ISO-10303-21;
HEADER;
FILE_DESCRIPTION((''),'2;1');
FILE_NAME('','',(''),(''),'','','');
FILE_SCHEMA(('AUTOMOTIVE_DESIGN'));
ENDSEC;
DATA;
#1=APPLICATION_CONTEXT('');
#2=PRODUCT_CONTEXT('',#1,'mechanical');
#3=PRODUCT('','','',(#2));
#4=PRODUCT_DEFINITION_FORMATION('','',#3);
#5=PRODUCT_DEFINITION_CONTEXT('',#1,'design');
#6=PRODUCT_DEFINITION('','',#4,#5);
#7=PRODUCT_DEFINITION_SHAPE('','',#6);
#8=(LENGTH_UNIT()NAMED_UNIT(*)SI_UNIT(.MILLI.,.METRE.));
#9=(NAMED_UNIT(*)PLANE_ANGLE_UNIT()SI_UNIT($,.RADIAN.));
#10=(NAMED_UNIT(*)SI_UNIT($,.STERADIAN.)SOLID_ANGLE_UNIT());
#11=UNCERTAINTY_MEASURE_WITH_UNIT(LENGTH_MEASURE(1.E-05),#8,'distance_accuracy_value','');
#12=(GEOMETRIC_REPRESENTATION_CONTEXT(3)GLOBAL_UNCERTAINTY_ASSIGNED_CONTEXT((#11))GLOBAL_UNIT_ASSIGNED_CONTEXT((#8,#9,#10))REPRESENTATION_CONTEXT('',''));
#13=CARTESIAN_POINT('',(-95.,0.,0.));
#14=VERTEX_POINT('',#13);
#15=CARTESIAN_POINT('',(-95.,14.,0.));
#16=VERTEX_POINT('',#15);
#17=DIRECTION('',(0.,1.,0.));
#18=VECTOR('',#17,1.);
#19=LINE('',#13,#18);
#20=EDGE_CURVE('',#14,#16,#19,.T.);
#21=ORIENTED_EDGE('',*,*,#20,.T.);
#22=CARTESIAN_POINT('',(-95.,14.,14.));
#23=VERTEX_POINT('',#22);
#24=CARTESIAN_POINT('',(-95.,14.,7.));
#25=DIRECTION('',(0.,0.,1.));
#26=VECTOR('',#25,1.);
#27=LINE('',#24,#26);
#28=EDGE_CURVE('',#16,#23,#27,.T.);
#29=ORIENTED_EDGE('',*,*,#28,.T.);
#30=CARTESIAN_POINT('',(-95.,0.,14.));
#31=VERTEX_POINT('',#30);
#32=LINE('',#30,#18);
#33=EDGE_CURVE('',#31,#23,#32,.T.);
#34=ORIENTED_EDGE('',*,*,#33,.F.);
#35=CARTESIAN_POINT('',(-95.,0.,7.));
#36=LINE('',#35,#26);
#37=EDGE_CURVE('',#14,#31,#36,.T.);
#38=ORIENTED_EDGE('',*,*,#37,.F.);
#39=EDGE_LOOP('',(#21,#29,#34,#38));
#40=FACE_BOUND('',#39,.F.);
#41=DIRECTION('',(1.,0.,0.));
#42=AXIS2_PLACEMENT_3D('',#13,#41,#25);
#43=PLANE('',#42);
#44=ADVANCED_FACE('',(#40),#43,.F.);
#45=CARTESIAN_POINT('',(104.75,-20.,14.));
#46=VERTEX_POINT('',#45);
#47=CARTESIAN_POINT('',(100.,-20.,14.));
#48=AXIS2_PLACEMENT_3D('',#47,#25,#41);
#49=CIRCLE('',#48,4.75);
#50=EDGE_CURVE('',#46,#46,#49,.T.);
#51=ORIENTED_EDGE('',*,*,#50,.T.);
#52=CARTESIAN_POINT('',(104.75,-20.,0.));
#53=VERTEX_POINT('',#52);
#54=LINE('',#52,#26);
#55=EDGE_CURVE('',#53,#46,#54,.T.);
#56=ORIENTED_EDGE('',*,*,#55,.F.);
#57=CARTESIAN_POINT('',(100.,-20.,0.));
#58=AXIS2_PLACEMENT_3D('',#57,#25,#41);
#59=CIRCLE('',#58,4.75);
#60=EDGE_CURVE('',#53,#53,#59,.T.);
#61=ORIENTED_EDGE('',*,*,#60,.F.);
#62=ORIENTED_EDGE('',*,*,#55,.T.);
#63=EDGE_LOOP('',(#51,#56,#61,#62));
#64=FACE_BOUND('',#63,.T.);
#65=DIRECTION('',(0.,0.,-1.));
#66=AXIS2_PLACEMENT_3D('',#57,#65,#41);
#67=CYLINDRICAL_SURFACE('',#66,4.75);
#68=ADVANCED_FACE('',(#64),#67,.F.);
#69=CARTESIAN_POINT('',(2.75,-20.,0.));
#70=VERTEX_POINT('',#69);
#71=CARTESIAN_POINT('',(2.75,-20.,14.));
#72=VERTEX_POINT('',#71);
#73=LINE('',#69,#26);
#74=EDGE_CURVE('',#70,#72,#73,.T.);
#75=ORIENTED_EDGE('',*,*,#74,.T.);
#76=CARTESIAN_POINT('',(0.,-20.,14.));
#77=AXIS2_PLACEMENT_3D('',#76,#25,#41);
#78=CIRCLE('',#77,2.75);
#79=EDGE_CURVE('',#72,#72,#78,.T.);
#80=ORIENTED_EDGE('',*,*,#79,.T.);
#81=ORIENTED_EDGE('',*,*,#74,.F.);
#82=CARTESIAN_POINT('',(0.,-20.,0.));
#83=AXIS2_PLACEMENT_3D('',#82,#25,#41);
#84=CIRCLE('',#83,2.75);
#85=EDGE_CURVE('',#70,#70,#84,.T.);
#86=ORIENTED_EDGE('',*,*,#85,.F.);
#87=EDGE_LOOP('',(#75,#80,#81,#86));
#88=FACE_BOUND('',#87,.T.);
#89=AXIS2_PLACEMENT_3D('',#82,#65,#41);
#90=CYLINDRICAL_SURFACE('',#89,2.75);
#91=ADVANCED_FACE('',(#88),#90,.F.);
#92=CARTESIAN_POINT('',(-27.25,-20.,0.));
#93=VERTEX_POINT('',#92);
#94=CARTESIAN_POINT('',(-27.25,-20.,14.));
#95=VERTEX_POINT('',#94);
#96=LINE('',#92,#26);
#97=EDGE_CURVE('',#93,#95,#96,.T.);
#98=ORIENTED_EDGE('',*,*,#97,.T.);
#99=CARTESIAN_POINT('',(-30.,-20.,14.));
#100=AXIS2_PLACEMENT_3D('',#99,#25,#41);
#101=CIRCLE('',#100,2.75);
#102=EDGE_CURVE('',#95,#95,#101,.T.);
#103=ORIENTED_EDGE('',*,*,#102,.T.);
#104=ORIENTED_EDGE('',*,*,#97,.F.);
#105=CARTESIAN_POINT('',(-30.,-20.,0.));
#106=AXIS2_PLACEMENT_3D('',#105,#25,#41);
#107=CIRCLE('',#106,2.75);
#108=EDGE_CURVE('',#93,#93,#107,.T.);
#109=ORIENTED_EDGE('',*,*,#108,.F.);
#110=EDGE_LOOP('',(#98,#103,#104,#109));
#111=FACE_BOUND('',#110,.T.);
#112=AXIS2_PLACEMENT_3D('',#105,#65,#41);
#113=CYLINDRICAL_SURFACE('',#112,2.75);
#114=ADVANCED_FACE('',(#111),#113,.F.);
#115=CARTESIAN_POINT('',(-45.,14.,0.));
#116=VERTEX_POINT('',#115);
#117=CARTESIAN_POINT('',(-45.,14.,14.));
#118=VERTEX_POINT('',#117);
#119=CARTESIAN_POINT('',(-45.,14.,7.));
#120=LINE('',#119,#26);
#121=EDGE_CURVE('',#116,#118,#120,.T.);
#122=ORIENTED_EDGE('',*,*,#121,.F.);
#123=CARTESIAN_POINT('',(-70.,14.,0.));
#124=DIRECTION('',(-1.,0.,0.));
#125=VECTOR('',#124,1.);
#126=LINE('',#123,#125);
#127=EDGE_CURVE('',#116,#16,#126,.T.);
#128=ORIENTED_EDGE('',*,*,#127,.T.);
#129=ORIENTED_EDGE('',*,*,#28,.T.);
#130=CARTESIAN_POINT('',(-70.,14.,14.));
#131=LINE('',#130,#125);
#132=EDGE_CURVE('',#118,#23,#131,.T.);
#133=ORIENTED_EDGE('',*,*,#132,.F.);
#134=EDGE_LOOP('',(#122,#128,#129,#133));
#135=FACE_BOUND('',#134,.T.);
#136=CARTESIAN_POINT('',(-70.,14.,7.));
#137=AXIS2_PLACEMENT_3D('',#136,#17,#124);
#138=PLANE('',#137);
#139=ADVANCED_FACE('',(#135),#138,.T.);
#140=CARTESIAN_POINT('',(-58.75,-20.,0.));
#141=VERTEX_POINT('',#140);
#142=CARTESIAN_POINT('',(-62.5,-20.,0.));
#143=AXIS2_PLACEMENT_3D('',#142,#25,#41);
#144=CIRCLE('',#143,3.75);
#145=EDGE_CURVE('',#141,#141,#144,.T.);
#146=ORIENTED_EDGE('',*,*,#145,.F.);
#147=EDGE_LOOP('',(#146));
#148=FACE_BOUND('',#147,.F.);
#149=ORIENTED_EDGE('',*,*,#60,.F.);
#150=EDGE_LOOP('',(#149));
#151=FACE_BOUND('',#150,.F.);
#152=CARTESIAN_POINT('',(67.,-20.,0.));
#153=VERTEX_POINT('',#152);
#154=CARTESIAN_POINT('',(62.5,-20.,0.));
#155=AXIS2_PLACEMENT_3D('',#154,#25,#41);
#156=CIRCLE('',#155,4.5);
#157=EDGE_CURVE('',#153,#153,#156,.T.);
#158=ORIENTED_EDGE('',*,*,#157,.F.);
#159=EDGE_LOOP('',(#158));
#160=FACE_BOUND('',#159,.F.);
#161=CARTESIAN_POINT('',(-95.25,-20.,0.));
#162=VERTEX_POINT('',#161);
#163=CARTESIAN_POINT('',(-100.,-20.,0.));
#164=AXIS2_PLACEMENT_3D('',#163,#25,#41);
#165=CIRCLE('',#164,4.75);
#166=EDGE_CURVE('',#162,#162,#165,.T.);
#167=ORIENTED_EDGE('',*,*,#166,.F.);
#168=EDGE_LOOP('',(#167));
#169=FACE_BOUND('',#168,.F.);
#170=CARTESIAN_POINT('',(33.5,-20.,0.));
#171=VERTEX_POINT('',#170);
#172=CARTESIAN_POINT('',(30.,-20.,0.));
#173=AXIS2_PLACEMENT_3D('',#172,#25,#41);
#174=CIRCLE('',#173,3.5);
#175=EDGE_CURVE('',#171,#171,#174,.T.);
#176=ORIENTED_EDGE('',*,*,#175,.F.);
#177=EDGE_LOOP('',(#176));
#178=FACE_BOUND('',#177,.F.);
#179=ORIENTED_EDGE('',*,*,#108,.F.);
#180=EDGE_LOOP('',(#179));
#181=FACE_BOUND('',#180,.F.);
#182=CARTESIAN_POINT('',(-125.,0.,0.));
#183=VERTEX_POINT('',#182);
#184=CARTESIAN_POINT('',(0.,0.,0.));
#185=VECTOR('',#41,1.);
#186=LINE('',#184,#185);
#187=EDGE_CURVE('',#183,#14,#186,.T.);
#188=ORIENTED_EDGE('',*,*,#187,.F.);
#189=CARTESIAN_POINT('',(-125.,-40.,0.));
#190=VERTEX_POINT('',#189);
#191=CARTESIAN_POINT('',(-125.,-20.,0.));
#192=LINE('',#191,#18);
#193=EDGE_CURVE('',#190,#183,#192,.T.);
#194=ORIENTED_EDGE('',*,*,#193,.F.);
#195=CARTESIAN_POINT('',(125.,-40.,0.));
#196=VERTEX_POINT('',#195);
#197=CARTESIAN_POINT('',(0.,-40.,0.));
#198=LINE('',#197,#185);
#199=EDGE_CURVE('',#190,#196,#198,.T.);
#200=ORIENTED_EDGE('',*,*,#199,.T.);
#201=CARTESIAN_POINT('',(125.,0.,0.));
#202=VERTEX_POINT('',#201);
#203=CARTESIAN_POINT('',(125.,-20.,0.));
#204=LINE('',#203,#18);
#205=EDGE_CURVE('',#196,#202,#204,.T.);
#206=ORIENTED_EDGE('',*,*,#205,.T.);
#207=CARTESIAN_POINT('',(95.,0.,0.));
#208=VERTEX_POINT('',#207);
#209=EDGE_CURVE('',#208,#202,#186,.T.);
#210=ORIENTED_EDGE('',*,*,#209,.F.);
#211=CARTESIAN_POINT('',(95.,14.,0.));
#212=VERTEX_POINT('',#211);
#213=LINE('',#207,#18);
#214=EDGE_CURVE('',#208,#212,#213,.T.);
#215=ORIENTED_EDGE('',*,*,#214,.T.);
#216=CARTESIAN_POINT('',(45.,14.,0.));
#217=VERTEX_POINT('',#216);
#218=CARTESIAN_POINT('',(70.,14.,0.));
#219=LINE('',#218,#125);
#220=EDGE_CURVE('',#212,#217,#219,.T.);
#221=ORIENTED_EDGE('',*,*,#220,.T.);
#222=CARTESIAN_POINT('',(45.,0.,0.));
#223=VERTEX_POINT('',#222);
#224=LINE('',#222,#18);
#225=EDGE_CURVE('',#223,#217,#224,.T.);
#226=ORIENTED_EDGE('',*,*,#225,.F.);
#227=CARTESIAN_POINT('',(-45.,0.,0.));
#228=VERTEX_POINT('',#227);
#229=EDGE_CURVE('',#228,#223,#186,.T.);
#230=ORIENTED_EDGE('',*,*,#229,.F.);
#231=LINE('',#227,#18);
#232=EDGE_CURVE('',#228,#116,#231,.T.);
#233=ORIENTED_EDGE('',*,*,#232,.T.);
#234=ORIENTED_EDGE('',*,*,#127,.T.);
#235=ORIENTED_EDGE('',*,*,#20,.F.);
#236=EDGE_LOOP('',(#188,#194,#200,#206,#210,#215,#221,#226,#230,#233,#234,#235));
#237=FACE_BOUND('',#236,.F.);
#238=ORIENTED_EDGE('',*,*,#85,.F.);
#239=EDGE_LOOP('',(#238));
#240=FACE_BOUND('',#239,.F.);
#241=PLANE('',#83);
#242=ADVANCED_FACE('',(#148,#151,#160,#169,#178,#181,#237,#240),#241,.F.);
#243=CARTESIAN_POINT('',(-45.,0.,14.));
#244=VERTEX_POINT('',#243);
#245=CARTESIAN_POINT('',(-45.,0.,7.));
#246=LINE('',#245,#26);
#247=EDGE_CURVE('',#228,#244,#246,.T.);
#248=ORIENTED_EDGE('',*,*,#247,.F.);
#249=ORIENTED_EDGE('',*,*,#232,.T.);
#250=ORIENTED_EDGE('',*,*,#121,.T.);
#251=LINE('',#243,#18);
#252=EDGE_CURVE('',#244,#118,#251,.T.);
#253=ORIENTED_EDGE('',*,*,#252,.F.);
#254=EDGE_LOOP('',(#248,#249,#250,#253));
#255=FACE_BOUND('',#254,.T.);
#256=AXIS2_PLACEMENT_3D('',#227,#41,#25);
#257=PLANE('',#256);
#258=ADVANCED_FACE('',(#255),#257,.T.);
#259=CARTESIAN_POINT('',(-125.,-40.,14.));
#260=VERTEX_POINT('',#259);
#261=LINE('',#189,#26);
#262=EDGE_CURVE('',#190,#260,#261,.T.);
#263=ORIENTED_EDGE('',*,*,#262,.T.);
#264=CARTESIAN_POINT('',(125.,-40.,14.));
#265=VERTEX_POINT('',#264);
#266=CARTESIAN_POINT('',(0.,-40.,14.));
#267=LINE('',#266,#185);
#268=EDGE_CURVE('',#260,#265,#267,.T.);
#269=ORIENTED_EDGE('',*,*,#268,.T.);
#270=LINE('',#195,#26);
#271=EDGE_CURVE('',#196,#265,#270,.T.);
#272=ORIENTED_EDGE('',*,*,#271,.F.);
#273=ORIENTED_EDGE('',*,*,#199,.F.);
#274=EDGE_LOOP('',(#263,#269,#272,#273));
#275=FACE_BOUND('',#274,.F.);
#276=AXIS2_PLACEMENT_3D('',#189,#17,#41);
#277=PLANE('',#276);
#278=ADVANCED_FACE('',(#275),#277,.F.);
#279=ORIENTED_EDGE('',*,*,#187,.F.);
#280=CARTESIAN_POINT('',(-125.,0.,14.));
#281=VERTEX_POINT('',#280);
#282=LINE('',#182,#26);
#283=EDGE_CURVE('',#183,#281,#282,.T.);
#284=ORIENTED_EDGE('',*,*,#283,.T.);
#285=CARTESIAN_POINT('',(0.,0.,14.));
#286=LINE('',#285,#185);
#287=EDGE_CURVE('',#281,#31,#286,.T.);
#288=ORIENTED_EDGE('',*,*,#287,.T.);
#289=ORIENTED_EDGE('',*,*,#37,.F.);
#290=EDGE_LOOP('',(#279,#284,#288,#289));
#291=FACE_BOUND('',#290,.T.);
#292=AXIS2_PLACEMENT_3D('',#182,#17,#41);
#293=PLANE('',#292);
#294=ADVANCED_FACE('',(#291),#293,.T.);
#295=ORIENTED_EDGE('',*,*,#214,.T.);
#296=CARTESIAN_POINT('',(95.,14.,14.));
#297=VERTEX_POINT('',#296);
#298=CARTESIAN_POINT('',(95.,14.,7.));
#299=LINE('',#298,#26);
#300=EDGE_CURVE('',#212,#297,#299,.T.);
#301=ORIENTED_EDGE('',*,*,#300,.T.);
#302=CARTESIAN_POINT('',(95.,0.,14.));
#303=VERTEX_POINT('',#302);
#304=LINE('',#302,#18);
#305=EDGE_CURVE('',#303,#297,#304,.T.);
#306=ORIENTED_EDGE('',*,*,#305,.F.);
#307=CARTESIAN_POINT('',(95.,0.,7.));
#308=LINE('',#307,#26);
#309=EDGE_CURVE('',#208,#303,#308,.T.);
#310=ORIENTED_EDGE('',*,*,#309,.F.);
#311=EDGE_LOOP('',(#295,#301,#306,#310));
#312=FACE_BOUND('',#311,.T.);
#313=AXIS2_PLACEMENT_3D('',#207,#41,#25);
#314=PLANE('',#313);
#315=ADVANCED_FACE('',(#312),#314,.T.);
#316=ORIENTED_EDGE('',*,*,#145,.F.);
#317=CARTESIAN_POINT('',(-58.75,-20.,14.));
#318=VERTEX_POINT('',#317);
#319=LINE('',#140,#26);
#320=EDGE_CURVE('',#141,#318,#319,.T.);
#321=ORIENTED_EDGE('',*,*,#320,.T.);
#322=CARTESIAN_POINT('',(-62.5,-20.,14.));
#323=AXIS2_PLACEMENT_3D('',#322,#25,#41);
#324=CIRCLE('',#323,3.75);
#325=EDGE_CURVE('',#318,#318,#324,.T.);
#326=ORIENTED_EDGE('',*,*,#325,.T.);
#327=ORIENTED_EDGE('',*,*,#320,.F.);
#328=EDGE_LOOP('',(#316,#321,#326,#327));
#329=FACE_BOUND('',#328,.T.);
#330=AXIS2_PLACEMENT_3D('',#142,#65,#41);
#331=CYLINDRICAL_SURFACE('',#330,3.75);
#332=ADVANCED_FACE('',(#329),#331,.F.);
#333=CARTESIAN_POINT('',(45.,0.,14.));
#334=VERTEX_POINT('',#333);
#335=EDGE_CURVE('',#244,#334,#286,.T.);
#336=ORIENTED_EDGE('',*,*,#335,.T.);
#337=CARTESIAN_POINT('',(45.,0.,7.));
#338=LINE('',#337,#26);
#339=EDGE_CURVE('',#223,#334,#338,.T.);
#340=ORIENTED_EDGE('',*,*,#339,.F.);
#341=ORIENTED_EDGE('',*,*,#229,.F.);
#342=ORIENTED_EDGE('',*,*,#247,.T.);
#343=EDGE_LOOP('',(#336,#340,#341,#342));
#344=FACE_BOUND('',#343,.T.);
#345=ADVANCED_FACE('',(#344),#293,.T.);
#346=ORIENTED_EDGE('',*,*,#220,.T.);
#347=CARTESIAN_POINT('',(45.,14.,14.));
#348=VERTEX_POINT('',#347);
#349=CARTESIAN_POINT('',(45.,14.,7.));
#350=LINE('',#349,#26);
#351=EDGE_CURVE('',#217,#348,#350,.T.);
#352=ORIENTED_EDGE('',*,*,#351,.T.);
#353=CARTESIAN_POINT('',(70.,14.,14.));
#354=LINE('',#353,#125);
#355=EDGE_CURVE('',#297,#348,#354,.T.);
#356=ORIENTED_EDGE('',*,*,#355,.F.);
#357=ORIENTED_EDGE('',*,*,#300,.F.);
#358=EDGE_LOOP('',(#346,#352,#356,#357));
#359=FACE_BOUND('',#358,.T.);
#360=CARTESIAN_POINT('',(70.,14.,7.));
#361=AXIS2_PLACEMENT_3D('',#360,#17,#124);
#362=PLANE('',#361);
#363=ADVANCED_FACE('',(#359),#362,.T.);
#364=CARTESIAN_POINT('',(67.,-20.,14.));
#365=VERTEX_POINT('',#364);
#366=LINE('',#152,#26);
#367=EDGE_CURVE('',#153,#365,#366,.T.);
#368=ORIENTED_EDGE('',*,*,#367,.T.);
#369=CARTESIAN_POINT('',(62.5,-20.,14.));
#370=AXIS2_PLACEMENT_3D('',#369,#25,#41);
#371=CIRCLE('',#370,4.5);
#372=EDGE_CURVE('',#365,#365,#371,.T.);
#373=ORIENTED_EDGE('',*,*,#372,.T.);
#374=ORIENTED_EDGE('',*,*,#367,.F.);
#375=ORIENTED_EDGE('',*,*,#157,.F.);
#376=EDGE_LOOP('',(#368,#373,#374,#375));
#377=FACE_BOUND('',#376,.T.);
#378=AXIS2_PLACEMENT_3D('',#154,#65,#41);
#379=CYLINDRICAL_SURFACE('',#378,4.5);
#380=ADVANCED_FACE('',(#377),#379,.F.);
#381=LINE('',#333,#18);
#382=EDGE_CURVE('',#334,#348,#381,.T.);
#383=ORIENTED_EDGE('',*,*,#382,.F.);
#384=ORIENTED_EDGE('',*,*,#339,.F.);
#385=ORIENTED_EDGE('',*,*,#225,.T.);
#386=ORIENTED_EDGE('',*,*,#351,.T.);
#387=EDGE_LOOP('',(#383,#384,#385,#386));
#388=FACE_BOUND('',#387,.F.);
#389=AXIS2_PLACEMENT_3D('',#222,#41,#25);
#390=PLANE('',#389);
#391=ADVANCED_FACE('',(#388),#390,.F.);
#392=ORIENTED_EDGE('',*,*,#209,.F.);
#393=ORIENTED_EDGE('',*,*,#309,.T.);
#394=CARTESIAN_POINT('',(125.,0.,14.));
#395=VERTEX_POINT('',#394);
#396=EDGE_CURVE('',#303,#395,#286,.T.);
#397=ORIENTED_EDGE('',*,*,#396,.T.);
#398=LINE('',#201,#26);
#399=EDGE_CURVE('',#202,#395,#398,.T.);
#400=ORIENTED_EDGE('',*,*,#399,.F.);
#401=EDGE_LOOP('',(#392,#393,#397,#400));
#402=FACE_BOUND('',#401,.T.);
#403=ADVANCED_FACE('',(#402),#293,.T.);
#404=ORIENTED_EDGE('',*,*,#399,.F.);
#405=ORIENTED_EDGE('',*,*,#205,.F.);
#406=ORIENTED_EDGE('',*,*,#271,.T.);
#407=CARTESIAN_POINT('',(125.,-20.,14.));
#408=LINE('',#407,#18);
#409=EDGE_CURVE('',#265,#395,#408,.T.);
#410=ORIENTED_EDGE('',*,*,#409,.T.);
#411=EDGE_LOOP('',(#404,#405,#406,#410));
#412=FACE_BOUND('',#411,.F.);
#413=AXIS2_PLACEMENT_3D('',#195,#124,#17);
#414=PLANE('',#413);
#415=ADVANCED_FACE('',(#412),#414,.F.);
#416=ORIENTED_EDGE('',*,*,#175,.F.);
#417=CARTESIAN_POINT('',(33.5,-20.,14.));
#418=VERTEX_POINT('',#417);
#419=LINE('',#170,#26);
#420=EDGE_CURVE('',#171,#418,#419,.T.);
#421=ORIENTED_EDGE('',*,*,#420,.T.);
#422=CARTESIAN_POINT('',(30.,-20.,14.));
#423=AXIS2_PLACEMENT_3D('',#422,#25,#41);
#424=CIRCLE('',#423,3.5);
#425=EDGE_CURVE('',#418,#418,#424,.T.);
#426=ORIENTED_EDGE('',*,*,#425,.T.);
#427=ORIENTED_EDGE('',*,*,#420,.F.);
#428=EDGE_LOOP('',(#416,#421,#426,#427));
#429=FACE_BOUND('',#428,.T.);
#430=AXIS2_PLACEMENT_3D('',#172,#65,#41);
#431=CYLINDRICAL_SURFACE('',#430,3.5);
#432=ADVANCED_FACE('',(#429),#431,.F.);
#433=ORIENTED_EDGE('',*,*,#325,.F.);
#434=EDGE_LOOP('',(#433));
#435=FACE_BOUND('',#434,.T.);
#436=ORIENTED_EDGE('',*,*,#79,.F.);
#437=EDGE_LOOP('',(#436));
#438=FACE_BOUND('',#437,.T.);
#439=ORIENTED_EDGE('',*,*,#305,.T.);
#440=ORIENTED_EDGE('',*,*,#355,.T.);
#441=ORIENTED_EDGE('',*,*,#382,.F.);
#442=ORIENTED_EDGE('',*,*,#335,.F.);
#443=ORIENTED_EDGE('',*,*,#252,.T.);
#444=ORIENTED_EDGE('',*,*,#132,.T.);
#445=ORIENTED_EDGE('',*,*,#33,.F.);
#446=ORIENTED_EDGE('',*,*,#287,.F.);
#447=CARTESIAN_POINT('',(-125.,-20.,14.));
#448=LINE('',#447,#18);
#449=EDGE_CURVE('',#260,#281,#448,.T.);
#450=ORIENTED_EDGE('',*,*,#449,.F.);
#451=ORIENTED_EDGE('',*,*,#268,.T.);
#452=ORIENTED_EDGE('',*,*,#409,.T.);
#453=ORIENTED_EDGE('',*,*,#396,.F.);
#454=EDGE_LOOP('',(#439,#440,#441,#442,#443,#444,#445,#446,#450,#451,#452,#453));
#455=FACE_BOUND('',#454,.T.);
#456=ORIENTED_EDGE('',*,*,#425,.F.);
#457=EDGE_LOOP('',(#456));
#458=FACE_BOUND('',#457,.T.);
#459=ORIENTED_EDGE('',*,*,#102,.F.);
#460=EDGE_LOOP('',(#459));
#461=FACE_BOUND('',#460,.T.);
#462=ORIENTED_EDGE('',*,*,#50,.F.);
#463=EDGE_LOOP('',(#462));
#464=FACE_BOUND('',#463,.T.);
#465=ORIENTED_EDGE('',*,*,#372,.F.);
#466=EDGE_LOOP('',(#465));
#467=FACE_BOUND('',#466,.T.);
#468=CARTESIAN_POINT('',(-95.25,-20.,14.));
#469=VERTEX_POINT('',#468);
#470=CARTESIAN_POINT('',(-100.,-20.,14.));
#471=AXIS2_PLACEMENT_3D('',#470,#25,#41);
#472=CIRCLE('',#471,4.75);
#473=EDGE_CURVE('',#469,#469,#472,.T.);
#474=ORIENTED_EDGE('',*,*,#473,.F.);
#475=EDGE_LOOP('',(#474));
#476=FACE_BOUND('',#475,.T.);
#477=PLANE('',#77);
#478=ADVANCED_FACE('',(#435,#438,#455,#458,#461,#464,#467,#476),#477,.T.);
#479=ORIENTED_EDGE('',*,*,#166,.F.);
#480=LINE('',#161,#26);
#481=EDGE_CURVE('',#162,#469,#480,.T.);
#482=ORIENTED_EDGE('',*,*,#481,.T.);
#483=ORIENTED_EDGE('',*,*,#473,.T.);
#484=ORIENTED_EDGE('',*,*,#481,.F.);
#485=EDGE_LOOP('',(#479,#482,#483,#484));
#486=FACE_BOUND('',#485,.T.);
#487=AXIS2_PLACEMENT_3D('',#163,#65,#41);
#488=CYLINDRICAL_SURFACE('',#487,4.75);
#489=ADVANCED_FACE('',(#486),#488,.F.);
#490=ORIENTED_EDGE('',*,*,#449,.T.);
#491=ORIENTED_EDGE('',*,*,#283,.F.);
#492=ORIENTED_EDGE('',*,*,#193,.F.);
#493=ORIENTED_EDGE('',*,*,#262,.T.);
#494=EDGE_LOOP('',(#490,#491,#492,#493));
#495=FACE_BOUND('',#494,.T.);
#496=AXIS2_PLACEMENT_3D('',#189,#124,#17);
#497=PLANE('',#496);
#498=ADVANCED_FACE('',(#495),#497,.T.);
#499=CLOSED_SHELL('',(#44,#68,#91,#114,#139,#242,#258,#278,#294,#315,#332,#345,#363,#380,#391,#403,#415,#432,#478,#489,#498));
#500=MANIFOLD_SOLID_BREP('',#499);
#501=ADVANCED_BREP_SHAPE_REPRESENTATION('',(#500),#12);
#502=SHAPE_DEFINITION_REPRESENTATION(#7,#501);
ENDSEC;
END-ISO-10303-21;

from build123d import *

# Parameters (mm, degrees)
F0_W     = 250
F0_H     = 40
F0_R     = 4.75
F0_R_2   = 3.75
F0_R_3   = 2.75
F0_R_4   = 3.5
F0_R_5   = 4.5
F1_DEPTH = 14
F2_W     = 50
F2_H     = 14
F3_DEPTH = 14


with BuildPart() as f1:
    # F0 (on Top) → F1 (new body)
    with BuildSketch(Plane.XY):
        with Locations((0, -20)):
            Rectangle(F0_W, F0_H)
        with Locations((-100, -20)):
            Circle(F0_R, mode=Mode.SUBTRACT)
        with Locations((-62.5, -20)):
            Circle(F0_R_2, mode=Mode.SUBTRACT)
        with Locations((-30, -20)):
            Circle(F0_R_3, mode=Mode.SUBTRACT)
        with Locations((0, -20)):
            Circle(F0_R_3, mode=Mode.SUBTRACT)
        with Locations((30, -20)):
            Circle(F0_R_4, mode=Mode.SUBTRACT)
        with Locations((62.5, -20)):
            Circle(F0_R_5, mode=Mode.SUBTRACT)
        with Locations((100, -20)):
            Circle(F0_R, mode=Mode.SUBTRACT)
    extrude(amount=F1_DEPTH)

    # F2 (on face) → F3 (join)
    with BuildSketch(Plane(origin=(0, 0, 0), x_dir=(-1, 0, 0), z_dir=(0, 1, 0))):
        with Locations((70, 7)):
            Rectangle(F2_W, F2_H)
        with Locations((-70, 7)):
            Rectangle(F2_W, F2_H)
    extrude(amount=F3_DEPTH)


solid = f1.part
